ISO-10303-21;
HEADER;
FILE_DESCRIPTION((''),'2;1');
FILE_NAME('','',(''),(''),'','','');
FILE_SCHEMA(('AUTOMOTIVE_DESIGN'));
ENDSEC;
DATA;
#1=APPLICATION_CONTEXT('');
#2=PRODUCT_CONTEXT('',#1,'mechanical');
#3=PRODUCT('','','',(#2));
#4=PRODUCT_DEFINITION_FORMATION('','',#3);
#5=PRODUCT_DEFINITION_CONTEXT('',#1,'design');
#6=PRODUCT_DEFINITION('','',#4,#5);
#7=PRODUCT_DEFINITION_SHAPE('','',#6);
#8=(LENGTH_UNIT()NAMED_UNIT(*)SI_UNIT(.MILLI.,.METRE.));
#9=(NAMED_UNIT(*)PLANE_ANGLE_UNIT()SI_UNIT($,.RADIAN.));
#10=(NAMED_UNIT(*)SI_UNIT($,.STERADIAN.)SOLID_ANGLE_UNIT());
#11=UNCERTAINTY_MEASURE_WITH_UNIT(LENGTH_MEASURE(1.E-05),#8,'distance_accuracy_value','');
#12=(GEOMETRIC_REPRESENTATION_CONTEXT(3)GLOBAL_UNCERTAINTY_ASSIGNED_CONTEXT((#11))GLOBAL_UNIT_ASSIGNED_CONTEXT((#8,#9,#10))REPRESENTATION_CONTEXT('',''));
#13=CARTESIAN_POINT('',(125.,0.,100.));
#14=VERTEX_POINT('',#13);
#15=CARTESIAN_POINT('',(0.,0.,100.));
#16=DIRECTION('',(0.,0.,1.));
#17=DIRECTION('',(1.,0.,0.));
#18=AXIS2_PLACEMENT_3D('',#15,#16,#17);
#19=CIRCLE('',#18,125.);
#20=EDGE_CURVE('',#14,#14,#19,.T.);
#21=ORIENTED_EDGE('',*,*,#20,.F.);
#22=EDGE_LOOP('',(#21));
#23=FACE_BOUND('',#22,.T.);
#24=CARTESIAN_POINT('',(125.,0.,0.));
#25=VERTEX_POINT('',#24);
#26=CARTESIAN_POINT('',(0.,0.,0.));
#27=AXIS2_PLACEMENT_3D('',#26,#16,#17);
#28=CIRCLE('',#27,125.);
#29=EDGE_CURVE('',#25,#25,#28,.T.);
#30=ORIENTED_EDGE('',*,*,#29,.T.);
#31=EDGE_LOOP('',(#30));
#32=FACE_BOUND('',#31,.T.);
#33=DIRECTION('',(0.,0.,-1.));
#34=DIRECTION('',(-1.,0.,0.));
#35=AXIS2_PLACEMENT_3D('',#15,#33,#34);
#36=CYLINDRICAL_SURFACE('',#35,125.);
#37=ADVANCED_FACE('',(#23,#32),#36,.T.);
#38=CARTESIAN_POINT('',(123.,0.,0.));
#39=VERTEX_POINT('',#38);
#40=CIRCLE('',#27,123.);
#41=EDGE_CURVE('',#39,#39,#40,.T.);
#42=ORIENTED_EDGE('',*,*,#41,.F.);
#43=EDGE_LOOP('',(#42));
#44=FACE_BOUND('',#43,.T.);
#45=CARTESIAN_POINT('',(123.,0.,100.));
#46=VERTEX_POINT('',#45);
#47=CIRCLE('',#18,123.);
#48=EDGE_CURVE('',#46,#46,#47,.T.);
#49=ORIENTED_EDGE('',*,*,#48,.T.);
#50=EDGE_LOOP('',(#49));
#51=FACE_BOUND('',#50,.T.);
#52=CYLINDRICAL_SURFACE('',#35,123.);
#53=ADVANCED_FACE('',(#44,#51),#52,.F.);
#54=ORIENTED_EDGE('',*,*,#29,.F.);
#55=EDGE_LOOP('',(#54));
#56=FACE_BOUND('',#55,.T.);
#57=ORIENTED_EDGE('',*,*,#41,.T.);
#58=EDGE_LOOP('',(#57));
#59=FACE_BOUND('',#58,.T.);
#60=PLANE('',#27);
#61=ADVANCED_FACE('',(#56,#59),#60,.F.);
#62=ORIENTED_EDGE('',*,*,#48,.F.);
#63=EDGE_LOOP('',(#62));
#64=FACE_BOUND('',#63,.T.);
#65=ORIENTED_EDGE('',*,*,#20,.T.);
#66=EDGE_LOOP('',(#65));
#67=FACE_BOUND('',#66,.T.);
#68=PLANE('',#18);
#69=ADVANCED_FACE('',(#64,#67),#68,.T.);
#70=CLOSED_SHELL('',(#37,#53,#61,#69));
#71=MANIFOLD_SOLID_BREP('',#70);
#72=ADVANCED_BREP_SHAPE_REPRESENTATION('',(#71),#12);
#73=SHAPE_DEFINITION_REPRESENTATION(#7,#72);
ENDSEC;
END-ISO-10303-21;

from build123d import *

# Parameters (mm, degrees)
SKETCH_1_R      = 125
SKETCH_1_R_2    = 123
EXTRUDE_1_DEPTH = 100


with BuildPart() as part:
    # 草图1 → 凸台-拉伸1 (new body)
    with BuildSketch(Plane.XY):
        Circle(SKETCH_1_R)
        Circle(SKETCH_1_R_2, mode=Mode.SUBTRACT)
    extrude(amount=EXTRUDE_1_DEPTH)


solid = part.part
